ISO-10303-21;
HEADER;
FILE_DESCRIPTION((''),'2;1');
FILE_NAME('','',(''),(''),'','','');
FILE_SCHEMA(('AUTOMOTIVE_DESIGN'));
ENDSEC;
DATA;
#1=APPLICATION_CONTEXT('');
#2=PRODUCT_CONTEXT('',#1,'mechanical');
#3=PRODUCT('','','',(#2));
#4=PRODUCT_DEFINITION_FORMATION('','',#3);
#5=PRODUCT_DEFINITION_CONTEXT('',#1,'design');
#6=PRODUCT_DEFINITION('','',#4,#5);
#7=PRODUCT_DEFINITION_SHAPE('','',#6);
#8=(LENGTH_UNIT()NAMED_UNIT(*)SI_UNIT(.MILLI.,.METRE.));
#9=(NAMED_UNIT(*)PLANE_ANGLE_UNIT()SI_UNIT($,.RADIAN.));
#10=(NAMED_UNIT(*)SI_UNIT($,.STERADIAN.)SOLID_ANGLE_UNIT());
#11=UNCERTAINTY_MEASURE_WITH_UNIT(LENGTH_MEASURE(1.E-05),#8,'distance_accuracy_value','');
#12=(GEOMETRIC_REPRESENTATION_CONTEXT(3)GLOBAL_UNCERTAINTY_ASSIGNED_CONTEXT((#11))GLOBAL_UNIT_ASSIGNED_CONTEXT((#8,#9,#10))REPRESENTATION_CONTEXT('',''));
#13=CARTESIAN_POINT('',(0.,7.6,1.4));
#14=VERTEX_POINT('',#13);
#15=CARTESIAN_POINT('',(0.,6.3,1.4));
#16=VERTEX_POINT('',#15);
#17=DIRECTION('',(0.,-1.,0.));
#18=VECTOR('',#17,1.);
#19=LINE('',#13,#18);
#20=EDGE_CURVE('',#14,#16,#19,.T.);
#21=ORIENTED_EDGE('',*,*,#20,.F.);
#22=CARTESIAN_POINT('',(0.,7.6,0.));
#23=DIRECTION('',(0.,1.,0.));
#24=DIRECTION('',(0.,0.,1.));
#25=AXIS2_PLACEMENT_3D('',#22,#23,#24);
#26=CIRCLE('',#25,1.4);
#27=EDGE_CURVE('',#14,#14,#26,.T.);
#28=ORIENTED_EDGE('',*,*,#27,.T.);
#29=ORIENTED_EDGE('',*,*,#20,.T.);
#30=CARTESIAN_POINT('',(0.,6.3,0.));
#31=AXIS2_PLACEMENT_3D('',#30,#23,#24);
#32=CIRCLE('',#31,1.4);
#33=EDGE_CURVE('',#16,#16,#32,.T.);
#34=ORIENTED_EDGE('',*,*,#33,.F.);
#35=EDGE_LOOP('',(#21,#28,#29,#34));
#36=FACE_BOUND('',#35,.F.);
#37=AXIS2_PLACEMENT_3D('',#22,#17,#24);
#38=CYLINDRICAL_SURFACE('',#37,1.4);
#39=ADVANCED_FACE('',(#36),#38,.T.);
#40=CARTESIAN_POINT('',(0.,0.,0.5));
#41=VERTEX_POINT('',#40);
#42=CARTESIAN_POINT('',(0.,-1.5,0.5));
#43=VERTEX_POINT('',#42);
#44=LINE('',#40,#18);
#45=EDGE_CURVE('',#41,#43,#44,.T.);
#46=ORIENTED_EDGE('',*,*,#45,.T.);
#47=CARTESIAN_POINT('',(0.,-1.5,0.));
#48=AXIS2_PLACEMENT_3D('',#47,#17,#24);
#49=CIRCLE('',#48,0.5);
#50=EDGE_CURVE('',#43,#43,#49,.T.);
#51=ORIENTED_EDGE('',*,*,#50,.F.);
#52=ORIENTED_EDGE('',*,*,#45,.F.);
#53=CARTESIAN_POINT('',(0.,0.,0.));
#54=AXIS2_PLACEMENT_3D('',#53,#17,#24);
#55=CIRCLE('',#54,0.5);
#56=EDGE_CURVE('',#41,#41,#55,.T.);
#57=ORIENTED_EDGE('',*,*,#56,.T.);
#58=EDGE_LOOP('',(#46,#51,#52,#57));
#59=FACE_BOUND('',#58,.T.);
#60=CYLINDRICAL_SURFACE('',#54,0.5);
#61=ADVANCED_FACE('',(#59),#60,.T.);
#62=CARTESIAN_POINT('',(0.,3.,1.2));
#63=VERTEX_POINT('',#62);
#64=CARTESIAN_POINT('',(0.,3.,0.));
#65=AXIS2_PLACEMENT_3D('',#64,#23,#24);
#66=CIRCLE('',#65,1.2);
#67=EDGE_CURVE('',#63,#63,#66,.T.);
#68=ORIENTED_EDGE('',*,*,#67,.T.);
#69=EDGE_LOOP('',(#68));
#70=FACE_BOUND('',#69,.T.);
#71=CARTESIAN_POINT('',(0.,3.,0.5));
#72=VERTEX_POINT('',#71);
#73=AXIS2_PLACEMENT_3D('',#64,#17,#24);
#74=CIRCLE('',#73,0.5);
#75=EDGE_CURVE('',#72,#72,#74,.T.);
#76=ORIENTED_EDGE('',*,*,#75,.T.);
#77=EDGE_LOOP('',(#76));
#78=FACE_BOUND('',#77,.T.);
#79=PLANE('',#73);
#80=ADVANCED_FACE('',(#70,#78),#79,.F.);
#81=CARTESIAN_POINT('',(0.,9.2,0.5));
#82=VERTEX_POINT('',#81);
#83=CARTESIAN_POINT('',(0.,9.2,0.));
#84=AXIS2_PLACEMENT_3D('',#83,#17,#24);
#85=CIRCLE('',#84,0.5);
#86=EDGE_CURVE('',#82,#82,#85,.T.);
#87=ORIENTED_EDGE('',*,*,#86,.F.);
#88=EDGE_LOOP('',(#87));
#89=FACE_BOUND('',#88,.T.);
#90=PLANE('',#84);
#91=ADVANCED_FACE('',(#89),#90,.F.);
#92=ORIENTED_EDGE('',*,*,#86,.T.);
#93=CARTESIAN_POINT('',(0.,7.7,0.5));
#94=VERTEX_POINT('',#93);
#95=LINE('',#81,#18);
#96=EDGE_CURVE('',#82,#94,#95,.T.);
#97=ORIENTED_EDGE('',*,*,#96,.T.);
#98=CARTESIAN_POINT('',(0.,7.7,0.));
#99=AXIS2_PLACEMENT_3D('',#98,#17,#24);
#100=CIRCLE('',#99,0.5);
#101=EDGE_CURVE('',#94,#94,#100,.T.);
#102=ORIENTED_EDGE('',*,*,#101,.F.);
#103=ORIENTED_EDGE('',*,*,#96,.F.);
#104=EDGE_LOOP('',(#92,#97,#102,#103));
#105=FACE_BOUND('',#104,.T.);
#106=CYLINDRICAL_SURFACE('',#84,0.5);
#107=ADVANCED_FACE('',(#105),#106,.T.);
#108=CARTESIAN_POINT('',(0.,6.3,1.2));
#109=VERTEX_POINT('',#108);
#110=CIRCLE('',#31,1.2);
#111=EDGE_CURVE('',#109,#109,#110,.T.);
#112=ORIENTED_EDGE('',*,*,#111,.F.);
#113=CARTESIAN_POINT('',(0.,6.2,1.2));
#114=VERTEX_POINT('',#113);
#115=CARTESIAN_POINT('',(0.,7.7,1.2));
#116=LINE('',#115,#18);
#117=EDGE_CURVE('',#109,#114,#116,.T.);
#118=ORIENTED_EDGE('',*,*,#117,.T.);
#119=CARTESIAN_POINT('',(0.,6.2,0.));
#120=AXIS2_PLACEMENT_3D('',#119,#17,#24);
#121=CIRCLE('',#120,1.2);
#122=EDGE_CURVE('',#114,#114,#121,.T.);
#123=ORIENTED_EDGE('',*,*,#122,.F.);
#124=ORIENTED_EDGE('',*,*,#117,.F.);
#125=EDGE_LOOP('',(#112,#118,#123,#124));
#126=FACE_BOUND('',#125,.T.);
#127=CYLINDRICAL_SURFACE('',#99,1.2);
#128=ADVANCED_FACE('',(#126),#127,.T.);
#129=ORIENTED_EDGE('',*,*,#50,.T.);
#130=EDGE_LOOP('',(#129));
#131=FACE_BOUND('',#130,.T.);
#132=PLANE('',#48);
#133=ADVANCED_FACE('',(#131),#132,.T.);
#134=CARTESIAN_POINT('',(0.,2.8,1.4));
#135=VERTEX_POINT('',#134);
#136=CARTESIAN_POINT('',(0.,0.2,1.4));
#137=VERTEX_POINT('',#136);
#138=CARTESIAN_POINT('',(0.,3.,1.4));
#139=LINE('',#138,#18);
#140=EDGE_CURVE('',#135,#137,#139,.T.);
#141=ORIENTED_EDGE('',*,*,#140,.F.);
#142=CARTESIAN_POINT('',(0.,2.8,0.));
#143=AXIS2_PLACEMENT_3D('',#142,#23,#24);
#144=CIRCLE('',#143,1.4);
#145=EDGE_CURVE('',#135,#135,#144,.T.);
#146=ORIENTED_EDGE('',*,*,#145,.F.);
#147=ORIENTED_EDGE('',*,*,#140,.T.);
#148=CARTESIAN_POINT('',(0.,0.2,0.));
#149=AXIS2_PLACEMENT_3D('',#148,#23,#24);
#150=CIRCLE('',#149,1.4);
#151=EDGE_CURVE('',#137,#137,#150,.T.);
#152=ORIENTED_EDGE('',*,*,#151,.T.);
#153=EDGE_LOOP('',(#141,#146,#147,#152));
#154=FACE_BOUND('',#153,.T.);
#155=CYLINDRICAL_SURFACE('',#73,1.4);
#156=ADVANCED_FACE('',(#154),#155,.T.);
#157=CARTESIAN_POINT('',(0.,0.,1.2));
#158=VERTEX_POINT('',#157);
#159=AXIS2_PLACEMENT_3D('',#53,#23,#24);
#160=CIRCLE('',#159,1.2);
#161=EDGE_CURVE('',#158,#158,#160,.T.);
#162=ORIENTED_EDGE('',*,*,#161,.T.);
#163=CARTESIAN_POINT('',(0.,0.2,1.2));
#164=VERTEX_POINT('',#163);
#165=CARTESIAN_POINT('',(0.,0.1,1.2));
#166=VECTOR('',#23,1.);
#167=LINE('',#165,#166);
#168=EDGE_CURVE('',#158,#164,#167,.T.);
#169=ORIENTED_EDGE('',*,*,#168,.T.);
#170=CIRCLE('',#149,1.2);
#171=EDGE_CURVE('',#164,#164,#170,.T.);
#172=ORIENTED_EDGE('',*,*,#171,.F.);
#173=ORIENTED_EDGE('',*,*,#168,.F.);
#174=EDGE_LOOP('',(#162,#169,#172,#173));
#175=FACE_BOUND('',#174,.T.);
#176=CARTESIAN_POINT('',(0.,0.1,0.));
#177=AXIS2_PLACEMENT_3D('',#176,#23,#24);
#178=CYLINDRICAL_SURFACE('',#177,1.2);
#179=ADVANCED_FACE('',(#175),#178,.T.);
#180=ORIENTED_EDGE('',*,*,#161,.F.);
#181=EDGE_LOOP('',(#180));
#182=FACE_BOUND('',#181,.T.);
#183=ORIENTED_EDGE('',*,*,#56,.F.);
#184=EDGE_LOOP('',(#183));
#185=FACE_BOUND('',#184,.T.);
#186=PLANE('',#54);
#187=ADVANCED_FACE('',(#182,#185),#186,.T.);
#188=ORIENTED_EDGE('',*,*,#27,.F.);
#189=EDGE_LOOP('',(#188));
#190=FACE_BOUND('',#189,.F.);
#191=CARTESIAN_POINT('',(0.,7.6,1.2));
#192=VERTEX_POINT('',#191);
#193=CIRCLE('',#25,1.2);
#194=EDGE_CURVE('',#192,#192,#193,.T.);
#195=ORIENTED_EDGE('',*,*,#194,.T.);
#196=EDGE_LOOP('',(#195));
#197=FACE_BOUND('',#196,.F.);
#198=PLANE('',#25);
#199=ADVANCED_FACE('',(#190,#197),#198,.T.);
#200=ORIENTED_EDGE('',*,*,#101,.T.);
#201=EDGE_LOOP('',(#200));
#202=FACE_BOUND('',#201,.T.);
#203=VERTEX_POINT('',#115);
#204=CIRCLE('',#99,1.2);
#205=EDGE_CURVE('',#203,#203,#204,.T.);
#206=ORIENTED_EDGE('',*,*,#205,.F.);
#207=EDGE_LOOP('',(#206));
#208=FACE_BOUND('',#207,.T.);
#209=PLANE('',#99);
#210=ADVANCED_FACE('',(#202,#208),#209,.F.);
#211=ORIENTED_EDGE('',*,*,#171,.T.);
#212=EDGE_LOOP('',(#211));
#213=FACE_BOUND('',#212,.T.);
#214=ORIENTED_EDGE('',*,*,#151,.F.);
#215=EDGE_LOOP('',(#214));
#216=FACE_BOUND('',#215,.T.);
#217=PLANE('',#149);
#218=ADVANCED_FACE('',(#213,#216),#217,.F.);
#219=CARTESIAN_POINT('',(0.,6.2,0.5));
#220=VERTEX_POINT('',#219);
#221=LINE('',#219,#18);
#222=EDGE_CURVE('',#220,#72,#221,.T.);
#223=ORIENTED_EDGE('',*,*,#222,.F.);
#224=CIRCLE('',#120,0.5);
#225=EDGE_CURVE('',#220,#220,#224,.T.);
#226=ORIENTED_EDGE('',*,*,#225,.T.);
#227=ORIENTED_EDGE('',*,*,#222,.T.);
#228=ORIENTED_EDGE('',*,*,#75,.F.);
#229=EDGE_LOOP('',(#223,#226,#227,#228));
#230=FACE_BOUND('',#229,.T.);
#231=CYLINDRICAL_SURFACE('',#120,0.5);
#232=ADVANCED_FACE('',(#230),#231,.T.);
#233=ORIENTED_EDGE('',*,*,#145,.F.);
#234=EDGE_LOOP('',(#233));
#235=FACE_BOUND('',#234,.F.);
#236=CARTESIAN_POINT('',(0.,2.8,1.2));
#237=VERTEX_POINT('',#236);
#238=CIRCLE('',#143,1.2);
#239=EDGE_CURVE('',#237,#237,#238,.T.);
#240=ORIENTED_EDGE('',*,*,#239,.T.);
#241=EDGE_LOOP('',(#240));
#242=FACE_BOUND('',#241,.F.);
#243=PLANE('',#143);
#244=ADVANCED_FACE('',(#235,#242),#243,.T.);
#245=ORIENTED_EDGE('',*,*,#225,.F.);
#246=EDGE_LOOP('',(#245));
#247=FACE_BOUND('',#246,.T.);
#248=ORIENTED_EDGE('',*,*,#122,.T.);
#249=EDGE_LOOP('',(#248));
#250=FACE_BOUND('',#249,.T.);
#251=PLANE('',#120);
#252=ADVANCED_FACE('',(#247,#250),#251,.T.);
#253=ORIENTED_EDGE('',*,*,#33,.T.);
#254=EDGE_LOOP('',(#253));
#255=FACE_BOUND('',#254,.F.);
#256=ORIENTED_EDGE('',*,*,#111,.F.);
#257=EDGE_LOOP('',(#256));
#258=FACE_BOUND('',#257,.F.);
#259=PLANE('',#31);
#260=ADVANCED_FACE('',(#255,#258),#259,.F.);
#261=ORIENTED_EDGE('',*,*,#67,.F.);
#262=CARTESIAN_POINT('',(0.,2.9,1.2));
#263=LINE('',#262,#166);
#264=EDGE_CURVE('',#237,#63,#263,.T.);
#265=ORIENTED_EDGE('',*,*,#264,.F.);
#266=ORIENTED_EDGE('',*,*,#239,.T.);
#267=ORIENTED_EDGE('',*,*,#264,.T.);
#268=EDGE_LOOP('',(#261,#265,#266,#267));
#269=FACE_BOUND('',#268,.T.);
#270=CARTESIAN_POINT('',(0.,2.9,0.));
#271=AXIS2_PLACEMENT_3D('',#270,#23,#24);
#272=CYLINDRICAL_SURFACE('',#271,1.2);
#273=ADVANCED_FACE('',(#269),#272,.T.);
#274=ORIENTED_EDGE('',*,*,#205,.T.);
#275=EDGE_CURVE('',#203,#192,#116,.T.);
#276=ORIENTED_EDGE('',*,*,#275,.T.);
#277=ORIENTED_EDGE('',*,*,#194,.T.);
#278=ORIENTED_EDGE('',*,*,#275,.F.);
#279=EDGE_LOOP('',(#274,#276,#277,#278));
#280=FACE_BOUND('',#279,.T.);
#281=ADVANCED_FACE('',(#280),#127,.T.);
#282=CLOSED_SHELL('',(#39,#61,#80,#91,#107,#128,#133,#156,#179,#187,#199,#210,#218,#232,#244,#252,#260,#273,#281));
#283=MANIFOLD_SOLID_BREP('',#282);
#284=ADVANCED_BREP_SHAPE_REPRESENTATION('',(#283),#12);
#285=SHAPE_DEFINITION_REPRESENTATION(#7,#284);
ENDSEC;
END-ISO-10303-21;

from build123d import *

# Parameters (mm, degrees)
F2_W = 0.2
F2_H = 0.2


with BuildPart() as f1:
    # F0 (on Right) → F1 (revolve)
    with BuildSketch(Plane.YZ):
        Polygon((-1.5, 0.5), (-1.5, 0), (9.2, 0), (9.2, 0.5), (7.7, 0.5), (7.7, 1.2), (6.2, 1.2), (6.2, 0.5), (3, 0.5), (3, 1.4), (0, 1.4), (0, 0.5), align=None)
    revolve(axis=Axis((0, 3.85, 0), (0, -1, 0)))

    # F2 (on Right) → F3 (revolve, cut)
    with BuildSketch(Plane.YZ):
        with Locations((0.1, 1.3)):
            Rectangle(F2_W, F2_H)
        with Locations((2.9, 1.3)):
            Rectangle(F2_W, F2_H)
    revolve(axis=Axis((0, 1.5, 0), (0, 1, 0)), mode=Mode.SUBTRACT)

    # F4 (on Right) → F5 (revolve)
    with BuildSketch(Plane.YZ):
        Polygon((6.3, 1.2), (6.7, 1.2), (7.6, 1.2), (7.6, 1.4), (6.3, 1.4), align=None)
    revolve(axis=Axis((0, 6.95, 0), (0, 1, 0)))


solid = f1.part
